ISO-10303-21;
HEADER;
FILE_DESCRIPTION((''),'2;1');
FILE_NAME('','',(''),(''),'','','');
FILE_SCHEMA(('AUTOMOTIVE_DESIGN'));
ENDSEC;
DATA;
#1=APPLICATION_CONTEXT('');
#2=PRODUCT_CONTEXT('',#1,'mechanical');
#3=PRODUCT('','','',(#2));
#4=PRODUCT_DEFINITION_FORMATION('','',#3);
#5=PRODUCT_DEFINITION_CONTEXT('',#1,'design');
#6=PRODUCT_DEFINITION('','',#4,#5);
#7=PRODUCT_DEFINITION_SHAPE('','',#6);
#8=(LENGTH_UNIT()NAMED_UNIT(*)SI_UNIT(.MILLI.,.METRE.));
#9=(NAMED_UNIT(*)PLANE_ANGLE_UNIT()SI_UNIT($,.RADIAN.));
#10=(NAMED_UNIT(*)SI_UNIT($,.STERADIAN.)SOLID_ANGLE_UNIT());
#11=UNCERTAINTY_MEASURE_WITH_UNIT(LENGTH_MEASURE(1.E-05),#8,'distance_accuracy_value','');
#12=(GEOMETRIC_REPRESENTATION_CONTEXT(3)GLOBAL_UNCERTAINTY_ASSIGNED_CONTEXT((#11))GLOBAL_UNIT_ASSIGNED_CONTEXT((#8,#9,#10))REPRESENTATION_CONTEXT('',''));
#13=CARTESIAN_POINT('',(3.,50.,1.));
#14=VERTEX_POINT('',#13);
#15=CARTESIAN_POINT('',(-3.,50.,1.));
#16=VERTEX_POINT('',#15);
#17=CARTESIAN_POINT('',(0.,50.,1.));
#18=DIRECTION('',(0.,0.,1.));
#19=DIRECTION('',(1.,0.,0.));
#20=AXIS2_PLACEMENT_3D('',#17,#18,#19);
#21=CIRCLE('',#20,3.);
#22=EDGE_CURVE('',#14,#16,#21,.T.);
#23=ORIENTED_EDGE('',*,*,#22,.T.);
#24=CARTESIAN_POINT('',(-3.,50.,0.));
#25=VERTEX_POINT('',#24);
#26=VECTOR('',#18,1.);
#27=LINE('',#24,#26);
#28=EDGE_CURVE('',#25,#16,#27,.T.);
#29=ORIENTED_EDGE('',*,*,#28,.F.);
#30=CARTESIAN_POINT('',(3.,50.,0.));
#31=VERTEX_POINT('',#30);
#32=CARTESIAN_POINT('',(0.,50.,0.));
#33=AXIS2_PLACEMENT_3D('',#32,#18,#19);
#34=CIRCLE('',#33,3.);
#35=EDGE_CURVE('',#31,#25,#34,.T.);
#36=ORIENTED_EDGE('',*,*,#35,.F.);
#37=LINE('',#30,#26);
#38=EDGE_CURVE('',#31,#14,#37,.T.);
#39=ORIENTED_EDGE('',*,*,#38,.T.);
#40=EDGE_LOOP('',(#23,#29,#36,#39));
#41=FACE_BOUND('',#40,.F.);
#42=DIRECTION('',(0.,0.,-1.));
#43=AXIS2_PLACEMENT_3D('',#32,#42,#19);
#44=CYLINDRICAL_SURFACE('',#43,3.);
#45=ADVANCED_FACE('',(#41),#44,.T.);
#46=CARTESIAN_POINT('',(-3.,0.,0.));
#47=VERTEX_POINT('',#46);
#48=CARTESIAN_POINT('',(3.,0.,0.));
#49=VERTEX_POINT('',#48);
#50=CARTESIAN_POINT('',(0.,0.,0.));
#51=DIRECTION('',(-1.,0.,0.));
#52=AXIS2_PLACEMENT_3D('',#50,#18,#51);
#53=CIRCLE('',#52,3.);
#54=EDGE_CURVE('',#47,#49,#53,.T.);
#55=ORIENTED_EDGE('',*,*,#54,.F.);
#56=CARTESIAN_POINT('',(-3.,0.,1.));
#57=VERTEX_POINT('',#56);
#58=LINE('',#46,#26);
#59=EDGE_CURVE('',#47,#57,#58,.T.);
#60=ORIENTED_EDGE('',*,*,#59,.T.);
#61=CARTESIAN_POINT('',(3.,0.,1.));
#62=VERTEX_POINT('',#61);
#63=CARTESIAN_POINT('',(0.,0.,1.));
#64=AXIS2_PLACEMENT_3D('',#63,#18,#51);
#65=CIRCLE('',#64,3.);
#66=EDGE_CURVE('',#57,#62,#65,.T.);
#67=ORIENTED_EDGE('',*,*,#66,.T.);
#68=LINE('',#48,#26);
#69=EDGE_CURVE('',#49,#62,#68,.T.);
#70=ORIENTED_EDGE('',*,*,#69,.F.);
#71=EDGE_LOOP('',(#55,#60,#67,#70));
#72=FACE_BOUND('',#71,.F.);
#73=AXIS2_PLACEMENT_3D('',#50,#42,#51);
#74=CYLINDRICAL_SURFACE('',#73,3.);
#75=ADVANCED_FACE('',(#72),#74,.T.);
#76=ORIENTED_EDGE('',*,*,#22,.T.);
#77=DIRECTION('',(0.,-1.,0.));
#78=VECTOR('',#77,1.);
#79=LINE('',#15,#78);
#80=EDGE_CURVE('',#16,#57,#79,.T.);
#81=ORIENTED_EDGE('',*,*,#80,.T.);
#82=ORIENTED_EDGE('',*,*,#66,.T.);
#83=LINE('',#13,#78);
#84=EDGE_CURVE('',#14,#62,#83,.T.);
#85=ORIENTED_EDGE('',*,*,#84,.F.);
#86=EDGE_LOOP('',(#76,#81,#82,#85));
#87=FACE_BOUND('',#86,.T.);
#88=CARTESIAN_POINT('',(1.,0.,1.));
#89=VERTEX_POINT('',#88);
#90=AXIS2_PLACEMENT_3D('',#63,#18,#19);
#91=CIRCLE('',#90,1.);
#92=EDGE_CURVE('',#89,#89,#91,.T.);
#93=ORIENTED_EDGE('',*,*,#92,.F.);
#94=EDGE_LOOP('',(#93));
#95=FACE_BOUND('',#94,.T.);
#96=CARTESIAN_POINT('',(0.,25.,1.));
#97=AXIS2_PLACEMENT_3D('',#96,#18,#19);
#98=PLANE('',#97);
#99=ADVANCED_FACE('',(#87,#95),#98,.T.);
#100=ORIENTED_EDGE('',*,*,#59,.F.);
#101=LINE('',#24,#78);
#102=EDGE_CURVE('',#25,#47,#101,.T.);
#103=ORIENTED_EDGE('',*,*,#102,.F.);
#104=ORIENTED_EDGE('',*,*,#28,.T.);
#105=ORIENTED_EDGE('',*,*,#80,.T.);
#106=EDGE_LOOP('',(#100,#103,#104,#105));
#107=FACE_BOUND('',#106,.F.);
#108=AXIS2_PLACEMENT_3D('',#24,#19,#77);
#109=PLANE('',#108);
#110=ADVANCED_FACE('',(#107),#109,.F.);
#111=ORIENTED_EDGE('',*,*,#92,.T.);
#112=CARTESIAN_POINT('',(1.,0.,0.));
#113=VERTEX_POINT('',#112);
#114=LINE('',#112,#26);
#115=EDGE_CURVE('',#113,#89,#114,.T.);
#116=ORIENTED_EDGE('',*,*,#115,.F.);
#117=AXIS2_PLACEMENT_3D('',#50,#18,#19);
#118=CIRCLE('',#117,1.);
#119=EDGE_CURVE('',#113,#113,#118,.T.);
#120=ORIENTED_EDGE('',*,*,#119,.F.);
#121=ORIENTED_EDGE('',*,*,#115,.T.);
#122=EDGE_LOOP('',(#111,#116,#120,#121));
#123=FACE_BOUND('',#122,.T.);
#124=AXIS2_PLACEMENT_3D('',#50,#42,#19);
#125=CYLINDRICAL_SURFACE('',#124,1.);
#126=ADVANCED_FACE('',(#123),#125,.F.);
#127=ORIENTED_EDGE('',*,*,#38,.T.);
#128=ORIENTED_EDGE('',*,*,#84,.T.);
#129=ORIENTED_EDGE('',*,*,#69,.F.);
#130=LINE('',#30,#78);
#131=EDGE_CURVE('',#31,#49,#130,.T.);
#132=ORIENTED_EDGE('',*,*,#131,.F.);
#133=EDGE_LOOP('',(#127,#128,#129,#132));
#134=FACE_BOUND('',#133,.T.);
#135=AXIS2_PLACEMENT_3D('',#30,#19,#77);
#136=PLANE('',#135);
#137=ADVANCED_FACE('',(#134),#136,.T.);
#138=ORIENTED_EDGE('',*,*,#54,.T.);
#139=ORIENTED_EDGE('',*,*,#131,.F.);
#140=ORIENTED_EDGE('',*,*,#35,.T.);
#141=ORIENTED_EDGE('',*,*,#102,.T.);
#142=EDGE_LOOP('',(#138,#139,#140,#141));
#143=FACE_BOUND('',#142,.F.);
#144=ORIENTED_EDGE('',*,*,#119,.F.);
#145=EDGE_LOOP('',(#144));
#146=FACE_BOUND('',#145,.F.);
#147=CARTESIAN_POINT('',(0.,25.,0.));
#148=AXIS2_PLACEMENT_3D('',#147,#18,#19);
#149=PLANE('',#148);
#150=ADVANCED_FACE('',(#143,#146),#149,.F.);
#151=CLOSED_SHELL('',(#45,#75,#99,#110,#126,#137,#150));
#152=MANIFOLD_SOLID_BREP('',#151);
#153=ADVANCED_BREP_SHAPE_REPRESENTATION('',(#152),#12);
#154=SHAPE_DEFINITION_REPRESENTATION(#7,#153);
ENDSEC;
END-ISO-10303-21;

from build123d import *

# Parameters (mm, degrees)
SKETCH_R  = 1
PAD_DEPTH = 1


with BuildPart() as part:
    # Sketch → Pad (new body)
    with BuildSketch(Plane.XY):
        with BuildLine():
            ThreePointArc((3, 50), (0, 53), (-3, 50))
            Line((-3, 50), (-3, 0))
            ThreePointArc((-3, 0), (0, -3), (3, 0))
            Line((3, 50), (3, 0))
        make_face()
        Circle(SKETCH_R, mode=Mode.SUBTRACT)
    extrude(amount=PAD_DEPTH)


solid = part.part
